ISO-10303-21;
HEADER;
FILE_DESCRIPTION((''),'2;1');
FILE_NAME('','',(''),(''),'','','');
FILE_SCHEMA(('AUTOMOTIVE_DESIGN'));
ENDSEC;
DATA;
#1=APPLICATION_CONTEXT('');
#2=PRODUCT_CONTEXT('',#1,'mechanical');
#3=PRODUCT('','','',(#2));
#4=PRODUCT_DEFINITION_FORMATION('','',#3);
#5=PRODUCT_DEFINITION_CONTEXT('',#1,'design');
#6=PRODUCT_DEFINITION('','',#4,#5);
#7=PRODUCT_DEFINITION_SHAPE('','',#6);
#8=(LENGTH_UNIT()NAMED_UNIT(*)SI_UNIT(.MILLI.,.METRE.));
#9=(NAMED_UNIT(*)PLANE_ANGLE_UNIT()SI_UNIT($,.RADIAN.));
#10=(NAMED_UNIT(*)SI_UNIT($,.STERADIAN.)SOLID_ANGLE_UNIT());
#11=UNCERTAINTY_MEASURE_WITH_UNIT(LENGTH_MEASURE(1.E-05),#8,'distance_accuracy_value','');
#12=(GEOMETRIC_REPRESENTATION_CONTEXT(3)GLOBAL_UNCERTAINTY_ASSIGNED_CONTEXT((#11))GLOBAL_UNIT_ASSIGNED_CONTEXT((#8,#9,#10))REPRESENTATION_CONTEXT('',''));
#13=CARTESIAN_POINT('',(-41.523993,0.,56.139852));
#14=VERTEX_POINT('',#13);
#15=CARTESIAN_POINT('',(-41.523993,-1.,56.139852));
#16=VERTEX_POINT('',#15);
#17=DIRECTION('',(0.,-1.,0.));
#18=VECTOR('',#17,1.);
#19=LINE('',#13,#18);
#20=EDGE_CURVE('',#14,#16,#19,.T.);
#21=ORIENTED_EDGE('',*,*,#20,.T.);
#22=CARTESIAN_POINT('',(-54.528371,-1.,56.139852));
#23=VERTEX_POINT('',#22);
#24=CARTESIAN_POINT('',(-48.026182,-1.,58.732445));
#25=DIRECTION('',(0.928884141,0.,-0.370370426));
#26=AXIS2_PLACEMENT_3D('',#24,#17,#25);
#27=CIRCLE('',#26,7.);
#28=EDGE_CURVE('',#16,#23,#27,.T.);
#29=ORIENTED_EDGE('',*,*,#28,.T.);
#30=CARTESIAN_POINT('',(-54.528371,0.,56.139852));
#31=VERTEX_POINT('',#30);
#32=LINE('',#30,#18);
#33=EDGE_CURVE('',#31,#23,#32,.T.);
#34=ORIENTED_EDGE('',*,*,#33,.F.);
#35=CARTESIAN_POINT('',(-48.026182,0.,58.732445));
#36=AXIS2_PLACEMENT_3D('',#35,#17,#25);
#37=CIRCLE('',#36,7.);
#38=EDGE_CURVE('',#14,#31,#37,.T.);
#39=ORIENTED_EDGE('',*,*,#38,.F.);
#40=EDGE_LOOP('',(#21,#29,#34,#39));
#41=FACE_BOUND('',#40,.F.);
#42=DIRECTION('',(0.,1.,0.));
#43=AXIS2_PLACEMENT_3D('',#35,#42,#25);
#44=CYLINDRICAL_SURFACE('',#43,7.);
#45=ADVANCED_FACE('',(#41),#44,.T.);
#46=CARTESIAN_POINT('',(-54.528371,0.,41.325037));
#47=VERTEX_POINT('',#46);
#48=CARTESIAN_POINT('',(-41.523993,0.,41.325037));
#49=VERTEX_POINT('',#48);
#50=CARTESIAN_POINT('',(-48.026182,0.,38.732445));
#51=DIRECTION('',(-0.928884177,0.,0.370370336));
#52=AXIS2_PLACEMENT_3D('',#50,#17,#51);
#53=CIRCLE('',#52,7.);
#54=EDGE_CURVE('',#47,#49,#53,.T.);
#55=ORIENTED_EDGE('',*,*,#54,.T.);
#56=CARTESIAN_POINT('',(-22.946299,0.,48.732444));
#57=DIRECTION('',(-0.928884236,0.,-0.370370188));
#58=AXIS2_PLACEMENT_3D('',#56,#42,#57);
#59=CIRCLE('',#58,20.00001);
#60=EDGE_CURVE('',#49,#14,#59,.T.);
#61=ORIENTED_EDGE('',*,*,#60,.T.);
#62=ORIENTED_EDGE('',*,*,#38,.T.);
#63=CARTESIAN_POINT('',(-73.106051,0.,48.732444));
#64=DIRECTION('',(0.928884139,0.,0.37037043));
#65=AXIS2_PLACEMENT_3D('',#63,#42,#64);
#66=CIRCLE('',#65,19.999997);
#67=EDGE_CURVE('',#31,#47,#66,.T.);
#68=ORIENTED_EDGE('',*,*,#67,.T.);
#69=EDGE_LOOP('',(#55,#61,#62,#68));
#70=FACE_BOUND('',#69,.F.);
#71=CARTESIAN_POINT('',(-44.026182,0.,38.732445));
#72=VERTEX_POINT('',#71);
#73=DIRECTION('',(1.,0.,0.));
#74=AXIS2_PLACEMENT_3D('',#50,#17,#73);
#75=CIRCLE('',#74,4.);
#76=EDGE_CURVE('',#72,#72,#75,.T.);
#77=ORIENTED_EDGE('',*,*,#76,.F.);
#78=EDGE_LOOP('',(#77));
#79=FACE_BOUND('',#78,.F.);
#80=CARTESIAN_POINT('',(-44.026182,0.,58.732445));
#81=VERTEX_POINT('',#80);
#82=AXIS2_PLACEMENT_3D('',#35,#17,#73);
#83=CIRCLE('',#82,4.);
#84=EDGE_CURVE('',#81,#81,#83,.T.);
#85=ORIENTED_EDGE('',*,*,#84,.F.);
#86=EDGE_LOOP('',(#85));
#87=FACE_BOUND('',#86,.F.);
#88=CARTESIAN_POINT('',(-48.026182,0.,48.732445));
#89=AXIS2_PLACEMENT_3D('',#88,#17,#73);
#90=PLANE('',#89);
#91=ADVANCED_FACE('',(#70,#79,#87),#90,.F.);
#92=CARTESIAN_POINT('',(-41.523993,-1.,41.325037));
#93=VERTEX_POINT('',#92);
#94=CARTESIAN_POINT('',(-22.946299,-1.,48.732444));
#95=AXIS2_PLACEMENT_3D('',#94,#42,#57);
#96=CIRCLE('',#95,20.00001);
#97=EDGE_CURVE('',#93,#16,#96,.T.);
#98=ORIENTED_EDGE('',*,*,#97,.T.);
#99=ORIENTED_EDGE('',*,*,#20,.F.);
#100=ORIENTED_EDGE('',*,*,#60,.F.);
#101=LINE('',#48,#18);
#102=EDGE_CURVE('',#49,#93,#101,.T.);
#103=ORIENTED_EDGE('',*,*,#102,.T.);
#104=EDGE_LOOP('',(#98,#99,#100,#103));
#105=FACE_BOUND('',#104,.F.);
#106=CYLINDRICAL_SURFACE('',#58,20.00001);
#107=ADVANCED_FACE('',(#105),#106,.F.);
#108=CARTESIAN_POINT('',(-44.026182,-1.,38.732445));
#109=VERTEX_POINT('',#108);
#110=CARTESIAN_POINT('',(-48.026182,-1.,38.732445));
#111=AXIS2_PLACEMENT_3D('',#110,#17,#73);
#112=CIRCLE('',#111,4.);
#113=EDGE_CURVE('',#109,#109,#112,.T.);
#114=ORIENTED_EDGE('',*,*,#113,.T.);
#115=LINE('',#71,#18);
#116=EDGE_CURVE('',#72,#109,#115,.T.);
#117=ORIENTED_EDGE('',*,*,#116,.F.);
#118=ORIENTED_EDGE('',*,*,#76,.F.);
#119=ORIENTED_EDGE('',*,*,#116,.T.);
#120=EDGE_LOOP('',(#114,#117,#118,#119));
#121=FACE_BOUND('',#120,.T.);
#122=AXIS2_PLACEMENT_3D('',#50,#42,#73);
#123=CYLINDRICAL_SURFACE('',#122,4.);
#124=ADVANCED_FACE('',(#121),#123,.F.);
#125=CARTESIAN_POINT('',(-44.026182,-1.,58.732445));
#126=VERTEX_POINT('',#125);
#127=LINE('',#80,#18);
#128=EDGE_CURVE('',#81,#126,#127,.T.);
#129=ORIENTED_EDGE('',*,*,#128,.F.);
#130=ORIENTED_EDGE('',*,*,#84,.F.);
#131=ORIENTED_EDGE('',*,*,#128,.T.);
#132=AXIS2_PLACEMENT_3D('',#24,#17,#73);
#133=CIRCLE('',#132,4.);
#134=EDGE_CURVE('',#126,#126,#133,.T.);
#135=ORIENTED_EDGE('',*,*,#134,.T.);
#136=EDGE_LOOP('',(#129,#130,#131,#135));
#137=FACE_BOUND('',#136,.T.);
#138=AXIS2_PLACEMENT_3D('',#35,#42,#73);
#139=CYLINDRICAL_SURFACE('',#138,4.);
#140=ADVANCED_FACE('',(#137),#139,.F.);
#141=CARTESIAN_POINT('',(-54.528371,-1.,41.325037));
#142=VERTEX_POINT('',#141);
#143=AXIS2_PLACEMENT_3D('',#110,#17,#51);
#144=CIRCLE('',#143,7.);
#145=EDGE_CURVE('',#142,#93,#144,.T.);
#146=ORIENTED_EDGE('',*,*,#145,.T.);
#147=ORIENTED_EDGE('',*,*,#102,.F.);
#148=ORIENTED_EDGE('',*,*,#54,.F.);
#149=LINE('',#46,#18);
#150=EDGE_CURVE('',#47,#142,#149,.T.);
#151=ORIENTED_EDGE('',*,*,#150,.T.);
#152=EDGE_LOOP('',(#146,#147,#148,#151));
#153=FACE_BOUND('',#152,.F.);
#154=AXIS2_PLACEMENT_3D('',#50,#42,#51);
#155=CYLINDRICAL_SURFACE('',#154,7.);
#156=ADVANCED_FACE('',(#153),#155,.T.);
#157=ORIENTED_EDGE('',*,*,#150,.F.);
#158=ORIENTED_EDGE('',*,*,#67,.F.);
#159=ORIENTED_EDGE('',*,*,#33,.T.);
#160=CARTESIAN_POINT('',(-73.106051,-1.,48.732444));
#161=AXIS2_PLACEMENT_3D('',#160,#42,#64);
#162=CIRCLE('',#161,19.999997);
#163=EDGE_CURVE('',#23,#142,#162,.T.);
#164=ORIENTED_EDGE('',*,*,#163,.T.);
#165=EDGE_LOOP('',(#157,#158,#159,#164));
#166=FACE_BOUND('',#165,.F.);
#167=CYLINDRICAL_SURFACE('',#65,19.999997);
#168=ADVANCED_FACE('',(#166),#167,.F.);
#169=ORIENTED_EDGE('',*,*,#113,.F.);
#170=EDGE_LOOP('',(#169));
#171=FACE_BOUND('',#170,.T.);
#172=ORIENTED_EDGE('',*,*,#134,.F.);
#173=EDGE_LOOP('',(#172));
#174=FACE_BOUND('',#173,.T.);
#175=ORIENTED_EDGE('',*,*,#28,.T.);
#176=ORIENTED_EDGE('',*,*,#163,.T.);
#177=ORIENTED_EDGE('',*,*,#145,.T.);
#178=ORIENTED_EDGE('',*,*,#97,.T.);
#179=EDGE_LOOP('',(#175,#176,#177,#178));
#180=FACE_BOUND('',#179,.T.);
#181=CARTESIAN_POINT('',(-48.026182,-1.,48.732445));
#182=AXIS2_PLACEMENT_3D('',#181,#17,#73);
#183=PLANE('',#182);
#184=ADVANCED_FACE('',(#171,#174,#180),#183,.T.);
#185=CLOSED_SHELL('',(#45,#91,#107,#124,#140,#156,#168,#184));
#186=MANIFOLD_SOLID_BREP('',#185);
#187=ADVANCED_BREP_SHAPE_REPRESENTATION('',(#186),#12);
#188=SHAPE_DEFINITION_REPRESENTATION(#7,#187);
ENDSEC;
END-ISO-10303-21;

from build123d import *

# Parameters (mm, degrees)
F0_R     = 4
F1_DEPTH = 1


with BuildPart() as f1:
    # F0 (on Front) → F1 (new body)
    with BuildSketch(Plane.XZ):
        with BuildLine():
            ThreePointArc((-41.523993, 41.325037), (-42.946309, 48.732445), (-41.523993, 56.139852))
            ThreePointArc((-41.523993, 56.139852), (-48.026182, 65.732445), (-54.528371, 56.139852))
            ThreePointArc((-54.528371, 56.139852), (-53.106054, 48.732445), (-54.528371, 41.325037))
            ThreePointArc((-54.528371, 41.325037), (-48.026182, 31.732445), (-41.523993, 41.325037))
        make_face()
        with Locations((-48.026182, 38.732445)):
            Circle(F0_R, mode=Mode.SUBTRACT)
        with Locations((-48.026182, 58.732445)):
            Circle(F0_R, mode=Mode.SUBTRACT)
    extrude(amount=F1_DEPTH)


solid = f1.part
